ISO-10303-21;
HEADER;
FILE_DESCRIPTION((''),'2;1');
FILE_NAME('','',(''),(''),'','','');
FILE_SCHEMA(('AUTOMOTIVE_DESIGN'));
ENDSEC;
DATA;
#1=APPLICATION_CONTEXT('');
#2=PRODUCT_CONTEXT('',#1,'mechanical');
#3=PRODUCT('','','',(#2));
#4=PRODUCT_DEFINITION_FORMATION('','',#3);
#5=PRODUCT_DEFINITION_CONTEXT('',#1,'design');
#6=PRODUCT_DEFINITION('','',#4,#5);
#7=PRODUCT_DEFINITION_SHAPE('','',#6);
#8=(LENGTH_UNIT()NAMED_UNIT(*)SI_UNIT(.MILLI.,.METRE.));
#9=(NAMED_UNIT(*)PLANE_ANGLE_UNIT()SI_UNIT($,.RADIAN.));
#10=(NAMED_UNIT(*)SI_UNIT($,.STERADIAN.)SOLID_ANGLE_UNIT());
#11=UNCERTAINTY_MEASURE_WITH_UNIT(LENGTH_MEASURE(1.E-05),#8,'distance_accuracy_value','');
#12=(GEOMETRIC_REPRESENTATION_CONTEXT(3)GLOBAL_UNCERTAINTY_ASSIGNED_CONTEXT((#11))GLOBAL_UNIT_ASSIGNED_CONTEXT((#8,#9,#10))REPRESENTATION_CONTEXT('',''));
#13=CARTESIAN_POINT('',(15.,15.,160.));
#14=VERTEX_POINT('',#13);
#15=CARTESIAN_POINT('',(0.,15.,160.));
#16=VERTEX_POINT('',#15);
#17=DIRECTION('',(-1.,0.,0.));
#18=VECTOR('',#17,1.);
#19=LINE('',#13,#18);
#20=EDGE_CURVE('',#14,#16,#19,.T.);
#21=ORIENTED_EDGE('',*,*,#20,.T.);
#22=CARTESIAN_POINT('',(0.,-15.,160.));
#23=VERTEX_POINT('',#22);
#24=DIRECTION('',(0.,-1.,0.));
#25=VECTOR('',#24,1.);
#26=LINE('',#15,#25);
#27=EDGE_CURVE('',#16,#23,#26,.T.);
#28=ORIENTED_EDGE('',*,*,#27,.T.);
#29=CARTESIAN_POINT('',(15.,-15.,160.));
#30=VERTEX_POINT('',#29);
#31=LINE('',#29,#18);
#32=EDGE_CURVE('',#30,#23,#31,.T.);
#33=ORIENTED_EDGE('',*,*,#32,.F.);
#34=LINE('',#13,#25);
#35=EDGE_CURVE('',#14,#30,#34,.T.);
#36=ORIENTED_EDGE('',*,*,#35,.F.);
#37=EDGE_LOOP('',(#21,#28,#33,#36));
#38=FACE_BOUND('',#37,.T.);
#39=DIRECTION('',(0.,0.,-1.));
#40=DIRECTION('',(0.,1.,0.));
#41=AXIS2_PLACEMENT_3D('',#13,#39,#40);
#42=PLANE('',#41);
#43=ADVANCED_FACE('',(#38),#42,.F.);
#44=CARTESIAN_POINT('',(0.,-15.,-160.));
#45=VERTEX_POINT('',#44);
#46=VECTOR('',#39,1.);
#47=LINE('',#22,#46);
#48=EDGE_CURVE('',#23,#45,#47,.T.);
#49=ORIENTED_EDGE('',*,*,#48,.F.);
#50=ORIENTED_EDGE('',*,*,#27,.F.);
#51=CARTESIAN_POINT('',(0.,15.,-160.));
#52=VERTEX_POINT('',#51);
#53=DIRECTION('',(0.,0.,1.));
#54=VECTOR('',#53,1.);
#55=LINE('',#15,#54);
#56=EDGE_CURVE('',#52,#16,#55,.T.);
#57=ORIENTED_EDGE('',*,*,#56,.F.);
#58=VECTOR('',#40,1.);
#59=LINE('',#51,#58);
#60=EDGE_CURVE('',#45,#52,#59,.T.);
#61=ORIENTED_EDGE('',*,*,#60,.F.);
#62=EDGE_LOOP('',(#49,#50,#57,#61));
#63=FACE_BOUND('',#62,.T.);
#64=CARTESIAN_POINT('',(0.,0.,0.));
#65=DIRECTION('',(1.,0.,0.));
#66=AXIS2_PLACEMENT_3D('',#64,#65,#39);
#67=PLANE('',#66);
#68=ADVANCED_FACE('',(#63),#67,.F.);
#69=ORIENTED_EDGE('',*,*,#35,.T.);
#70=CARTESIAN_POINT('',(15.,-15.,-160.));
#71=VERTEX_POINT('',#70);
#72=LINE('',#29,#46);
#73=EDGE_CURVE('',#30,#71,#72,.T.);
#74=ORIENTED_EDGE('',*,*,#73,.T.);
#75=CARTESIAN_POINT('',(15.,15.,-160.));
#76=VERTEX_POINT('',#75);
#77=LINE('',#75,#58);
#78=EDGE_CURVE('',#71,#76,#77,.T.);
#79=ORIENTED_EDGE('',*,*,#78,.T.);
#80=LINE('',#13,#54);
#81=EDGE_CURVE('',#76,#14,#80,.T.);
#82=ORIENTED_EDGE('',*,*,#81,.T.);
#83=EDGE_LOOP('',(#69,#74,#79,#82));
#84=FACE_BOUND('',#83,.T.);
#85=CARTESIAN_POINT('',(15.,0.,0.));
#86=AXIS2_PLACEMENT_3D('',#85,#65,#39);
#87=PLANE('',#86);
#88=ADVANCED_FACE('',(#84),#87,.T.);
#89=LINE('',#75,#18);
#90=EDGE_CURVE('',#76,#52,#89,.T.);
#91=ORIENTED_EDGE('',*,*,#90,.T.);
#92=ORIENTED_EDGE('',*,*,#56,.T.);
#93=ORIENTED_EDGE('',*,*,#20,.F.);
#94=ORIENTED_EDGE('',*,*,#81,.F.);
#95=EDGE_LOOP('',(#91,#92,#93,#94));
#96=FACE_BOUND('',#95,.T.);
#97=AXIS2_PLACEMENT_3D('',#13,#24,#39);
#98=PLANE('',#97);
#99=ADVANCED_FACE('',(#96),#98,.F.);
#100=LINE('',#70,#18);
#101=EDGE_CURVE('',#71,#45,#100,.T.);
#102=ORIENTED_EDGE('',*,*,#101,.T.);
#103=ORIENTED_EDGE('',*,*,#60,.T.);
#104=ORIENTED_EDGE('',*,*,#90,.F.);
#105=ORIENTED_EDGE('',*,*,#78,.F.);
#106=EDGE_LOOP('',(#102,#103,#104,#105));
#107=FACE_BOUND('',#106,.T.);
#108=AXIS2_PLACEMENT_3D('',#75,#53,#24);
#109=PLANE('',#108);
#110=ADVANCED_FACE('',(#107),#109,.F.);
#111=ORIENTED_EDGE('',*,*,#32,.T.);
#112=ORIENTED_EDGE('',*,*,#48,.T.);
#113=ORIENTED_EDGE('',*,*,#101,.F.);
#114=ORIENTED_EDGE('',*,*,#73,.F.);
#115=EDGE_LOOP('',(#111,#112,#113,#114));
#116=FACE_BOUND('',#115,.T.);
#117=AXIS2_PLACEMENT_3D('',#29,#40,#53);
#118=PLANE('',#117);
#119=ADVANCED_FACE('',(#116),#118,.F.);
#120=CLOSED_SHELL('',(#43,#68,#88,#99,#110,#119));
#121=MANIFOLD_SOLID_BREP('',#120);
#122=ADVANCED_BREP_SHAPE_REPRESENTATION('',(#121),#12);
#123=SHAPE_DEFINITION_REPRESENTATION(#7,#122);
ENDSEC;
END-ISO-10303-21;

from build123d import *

# Parameters (mm, degrees)
ESBO_O1_W                = 320
ESBO_O1_H                = 30
RESSALTO_EXTRUS_O1_DEPTH = 15


with BuildPart() as part:
    # Esboço1 → Ressalto-extrusão1 (new body)
    with BuildSketch(Plane(origin=(0, 0, 0), x_dir=(0, 0, -1), z_dir=(1, 0, 0))):
        Rectangle(ESBO_O1_W, ESBO_O1_H)
    extrude(amount=RESSALTO_EXTRUS_O1_DEPTH)


solid = part.part
